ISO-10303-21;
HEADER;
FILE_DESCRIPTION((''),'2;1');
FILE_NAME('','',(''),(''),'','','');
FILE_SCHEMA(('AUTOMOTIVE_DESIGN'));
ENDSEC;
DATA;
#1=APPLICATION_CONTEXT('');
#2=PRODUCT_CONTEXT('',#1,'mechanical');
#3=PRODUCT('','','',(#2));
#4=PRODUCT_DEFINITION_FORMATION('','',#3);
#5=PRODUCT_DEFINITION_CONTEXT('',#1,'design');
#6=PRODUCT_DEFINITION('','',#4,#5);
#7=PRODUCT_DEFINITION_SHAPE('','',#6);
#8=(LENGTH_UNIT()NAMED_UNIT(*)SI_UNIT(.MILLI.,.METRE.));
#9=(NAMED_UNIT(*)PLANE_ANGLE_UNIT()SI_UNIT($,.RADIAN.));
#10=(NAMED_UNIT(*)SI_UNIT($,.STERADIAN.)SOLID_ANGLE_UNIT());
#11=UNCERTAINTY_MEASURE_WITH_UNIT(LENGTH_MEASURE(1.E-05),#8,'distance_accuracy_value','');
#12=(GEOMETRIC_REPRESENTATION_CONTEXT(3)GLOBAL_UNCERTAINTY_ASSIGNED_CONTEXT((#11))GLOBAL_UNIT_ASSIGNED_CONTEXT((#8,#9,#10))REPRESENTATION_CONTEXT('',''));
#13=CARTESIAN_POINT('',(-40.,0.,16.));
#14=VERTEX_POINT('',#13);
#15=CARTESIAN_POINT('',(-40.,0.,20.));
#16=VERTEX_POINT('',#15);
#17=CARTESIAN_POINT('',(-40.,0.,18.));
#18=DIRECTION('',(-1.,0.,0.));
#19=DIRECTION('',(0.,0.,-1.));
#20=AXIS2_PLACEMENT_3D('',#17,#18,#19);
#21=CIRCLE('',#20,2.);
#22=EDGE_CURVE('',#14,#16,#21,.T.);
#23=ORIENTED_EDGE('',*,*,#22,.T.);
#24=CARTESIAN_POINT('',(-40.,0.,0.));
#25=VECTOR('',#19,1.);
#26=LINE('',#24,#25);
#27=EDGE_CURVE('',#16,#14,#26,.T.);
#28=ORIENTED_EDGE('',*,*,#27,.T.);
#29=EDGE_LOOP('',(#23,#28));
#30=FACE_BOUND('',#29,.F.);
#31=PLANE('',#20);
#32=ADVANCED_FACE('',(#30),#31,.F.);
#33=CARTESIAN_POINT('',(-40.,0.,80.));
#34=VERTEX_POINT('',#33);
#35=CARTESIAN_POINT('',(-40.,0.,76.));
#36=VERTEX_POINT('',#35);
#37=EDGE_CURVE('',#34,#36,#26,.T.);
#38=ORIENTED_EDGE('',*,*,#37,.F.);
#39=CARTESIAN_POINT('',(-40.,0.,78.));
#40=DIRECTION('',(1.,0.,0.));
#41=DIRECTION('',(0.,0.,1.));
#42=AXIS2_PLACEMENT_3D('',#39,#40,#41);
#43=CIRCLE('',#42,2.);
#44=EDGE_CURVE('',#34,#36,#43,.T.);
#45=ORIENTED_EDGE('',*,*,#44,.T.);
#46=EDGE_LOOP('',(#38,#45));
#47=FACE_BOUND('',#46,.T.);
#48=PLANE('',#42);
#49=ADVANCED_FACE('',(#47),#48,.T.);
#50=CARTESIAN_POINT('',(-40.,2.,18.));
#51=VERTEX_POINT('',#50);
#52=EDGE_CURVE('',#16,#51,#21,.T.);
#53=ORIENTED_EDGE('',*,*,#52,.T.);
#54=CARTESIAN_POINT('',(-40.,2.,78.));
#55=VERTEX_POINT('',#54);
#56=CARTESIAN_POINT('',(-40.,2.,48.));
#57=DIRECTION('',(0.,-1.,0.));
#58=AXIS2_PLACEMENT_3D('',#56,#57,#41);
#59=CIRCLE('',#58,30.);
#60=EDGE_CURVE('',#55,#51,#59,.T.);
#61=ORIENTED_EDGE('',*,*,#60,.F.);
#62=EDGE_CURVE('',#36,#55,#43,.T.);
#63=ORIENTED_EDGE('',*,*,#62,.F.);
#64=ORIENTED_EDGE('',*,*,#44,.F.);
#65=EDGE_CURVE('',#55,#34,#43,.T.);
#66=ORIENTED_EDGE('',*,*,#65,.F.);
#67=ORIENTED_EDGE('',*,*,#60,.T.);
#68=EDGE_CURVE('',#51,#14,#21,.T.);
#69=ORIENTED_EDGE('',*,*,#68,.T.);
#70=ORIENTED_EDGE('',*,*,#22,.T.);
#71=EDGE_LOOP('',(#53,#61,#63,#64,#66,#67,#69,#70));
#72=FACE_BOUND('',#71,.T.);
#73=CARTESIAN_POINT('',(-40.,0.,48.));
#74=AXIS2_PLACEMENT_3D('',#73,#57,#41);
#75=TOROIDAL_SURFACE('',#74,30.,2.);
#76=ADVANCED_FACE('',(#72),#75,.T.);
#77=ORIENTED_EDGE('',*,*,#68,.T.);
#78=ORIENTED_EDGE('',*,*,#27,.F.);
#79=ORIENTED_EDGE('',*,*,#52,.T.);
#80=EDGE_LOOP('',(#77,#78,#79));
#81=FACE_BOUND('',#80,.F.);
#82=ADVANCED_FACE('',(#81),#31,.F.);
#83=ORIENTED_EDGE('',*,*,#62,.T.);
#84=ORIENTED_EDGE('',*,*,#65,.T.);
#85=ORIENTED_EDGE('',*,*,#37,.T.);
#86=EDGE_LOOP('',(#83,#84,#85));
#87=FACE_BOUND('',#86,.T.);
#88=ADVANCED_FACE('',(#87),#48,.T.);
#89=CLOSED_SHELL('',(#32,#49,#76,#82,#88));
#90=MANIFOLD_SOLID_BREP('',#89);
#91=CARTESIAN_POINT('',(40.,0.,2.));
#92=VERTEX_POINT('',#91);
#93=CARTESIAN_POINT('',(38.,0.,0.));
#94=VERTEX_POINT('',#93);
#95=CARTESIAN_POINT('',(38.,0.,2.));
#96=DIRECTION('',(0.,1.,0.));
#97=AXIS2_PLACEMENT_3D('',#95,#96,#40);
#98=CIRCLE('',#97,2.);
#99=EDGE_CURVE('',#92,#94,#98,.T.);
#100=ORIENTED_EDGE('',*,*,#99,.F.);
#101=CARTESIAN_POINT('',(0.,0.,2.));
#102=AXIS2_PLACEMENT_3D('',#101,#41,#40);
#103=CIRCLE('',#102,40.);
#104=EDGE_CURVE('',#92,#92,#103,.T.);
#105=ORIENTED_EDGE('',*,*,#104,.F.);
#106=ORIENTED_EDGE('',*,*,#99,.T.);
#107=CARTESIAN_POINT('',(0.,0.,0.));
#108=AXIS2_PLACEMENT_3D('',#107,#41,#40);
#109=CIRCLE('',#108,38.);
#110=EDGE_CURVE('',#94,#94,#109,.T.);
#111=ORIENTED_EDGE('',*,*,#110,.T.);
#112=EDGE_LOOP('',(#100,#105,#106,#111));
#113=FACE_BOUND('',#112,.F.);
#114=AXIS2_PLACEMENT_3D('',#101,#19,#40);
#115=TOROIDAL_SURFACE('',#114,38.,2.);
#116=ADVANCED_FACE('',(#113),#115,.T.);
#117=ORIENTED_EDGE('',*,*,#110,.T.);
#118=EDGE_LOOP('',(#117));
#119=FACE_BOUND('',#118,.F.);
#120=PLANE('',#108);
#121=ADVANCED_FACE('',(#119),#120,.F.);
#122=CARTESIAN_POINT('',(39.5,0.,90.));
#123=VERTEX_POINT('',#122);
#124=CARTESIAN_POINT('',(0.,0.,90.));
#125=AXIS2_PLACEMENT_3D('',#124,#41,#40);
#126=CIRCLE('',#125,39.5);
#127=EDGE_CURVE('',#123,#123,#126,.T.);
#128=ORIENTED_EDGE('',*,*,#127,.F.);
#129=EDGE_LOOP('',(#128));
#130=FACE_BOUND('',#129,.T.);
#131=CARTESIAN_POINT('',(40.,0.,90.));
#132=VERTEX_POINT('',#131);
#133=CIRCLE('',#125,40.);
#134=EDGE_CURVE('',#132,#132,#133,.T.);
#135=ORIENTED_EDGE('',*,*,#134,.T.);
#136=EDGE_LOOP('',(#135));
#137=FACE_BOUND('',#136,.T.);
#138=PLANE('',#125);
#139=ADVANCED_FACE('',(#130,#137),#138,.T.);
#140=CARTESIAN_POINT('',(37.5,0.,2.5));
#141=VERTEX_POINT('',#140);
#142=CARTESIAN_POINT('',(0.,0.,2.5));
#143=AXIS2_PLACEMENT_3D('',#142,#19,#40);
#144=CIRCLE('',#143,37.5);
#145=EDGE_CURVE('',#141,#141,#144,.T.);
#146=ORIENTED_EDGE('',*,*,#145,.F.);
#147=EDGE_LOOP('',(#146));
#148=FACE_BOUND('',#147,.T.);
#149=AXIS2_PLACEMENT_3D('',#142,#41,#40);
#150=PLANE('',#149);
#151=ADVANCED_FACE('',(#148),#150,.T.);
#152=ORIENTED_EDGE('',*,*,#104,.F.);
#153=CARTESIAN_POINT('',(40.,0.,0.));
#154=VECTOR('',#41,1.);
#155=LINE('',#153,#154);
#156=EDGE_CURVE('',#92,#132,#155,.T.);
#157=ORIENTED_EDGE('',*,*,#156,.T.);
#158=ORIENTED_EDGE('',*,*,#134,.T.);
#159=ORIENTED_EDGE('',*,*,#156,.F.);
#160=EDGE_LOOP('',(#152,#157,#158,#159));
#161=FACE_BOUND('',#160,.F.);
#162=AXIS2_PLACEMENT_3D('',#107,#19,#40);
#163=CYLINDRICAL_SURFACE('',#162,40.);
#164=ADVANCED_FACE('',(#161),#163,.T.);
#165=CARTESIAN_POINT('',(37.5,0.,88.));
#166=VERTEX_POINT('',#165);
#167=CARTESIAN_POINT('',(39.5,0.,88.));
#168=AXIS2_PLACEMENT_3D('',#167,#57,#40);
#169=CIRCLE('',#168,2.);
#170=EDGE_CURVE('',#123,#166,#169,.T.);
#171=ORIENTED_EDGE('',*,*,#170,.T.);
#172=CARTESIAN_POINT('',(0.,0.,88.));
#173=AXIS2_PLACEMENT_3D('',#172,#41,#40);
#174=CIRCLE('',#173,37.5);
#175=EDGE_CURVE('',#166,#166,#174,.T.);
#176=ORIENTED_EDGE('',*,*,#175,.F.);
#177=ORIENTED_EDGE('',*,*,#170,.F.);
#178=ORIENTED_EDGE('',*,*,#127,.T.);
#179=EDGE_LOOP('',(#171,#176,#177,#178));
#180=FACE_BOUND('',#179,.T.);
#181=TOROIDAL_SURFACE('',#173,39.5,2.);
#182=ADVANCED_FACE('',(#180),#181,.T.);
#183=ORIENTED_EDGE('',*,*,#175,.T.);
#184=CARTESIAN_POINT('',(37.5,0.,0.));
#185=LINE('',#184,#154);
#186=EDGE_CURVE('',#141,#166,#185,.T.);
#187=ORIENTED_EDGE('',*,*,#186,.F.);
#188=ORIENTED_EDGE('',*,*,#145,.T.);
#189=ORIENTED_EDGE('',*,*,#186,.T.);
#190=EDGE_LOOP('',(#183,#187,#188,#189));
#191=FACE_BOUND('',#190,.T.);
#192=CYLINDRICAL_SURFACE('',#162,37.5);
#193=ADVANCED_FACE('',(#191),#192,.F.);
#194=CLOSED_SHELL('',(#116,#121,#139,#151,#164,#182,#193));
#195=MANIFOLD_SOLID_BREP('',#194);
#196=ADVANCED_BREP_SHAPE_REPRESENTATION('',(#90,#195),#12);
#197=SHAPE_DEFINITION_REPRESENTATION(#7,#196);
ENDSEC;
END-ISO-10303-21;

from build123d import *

# Parameters (mm, degrees)
F0_R     = 40
F1_DEPTH = 90
F2_T     = -2.5
F3_R     = 2
F6_R     = 2
F8_R     = 2


with BuildPart() as f1:
    # F0 (on Top) → F1 (new body)
    with BuildSketch(Plane.XY):
        Circle(F0_R)
    extrude(amount=F1_DEPTH)

    # F2
    f2_openings = [f1.faces().sort_by_distance(p)[0] for p in [
        (0, 0, 90),
    ]]
    offset(amount=F2_T, openings=f2_openings)

    # F3
    f3_edges = [f1.edges().sort_by_distance(p)[0] for p in [
        (-37.5, 0, 90),
    ]]
    fillet(f3_edges, radius=F3_R)

    # F7: sweep along a path in F4
    with BuildLine(Plane.XZ) as f7_path:
        ThreePointArc((-40, 78), (-70, 48), (-40, 18))
    # F6 (on offset) → F7 (sweep)
    with BuildSketch(Plane.YZ.offset(-40)):
        with Locations((0, 78)):
            Circle(F6_R)
    sweep(path=f7_path.line)

    # F8
    f8_edges = [f1.edges().sort_by_distance(p)[0] for p in [
        (-40, 0, 0),
    ]]
    fillet(f8_edges, radius=F8_R)


solid = f1.part
